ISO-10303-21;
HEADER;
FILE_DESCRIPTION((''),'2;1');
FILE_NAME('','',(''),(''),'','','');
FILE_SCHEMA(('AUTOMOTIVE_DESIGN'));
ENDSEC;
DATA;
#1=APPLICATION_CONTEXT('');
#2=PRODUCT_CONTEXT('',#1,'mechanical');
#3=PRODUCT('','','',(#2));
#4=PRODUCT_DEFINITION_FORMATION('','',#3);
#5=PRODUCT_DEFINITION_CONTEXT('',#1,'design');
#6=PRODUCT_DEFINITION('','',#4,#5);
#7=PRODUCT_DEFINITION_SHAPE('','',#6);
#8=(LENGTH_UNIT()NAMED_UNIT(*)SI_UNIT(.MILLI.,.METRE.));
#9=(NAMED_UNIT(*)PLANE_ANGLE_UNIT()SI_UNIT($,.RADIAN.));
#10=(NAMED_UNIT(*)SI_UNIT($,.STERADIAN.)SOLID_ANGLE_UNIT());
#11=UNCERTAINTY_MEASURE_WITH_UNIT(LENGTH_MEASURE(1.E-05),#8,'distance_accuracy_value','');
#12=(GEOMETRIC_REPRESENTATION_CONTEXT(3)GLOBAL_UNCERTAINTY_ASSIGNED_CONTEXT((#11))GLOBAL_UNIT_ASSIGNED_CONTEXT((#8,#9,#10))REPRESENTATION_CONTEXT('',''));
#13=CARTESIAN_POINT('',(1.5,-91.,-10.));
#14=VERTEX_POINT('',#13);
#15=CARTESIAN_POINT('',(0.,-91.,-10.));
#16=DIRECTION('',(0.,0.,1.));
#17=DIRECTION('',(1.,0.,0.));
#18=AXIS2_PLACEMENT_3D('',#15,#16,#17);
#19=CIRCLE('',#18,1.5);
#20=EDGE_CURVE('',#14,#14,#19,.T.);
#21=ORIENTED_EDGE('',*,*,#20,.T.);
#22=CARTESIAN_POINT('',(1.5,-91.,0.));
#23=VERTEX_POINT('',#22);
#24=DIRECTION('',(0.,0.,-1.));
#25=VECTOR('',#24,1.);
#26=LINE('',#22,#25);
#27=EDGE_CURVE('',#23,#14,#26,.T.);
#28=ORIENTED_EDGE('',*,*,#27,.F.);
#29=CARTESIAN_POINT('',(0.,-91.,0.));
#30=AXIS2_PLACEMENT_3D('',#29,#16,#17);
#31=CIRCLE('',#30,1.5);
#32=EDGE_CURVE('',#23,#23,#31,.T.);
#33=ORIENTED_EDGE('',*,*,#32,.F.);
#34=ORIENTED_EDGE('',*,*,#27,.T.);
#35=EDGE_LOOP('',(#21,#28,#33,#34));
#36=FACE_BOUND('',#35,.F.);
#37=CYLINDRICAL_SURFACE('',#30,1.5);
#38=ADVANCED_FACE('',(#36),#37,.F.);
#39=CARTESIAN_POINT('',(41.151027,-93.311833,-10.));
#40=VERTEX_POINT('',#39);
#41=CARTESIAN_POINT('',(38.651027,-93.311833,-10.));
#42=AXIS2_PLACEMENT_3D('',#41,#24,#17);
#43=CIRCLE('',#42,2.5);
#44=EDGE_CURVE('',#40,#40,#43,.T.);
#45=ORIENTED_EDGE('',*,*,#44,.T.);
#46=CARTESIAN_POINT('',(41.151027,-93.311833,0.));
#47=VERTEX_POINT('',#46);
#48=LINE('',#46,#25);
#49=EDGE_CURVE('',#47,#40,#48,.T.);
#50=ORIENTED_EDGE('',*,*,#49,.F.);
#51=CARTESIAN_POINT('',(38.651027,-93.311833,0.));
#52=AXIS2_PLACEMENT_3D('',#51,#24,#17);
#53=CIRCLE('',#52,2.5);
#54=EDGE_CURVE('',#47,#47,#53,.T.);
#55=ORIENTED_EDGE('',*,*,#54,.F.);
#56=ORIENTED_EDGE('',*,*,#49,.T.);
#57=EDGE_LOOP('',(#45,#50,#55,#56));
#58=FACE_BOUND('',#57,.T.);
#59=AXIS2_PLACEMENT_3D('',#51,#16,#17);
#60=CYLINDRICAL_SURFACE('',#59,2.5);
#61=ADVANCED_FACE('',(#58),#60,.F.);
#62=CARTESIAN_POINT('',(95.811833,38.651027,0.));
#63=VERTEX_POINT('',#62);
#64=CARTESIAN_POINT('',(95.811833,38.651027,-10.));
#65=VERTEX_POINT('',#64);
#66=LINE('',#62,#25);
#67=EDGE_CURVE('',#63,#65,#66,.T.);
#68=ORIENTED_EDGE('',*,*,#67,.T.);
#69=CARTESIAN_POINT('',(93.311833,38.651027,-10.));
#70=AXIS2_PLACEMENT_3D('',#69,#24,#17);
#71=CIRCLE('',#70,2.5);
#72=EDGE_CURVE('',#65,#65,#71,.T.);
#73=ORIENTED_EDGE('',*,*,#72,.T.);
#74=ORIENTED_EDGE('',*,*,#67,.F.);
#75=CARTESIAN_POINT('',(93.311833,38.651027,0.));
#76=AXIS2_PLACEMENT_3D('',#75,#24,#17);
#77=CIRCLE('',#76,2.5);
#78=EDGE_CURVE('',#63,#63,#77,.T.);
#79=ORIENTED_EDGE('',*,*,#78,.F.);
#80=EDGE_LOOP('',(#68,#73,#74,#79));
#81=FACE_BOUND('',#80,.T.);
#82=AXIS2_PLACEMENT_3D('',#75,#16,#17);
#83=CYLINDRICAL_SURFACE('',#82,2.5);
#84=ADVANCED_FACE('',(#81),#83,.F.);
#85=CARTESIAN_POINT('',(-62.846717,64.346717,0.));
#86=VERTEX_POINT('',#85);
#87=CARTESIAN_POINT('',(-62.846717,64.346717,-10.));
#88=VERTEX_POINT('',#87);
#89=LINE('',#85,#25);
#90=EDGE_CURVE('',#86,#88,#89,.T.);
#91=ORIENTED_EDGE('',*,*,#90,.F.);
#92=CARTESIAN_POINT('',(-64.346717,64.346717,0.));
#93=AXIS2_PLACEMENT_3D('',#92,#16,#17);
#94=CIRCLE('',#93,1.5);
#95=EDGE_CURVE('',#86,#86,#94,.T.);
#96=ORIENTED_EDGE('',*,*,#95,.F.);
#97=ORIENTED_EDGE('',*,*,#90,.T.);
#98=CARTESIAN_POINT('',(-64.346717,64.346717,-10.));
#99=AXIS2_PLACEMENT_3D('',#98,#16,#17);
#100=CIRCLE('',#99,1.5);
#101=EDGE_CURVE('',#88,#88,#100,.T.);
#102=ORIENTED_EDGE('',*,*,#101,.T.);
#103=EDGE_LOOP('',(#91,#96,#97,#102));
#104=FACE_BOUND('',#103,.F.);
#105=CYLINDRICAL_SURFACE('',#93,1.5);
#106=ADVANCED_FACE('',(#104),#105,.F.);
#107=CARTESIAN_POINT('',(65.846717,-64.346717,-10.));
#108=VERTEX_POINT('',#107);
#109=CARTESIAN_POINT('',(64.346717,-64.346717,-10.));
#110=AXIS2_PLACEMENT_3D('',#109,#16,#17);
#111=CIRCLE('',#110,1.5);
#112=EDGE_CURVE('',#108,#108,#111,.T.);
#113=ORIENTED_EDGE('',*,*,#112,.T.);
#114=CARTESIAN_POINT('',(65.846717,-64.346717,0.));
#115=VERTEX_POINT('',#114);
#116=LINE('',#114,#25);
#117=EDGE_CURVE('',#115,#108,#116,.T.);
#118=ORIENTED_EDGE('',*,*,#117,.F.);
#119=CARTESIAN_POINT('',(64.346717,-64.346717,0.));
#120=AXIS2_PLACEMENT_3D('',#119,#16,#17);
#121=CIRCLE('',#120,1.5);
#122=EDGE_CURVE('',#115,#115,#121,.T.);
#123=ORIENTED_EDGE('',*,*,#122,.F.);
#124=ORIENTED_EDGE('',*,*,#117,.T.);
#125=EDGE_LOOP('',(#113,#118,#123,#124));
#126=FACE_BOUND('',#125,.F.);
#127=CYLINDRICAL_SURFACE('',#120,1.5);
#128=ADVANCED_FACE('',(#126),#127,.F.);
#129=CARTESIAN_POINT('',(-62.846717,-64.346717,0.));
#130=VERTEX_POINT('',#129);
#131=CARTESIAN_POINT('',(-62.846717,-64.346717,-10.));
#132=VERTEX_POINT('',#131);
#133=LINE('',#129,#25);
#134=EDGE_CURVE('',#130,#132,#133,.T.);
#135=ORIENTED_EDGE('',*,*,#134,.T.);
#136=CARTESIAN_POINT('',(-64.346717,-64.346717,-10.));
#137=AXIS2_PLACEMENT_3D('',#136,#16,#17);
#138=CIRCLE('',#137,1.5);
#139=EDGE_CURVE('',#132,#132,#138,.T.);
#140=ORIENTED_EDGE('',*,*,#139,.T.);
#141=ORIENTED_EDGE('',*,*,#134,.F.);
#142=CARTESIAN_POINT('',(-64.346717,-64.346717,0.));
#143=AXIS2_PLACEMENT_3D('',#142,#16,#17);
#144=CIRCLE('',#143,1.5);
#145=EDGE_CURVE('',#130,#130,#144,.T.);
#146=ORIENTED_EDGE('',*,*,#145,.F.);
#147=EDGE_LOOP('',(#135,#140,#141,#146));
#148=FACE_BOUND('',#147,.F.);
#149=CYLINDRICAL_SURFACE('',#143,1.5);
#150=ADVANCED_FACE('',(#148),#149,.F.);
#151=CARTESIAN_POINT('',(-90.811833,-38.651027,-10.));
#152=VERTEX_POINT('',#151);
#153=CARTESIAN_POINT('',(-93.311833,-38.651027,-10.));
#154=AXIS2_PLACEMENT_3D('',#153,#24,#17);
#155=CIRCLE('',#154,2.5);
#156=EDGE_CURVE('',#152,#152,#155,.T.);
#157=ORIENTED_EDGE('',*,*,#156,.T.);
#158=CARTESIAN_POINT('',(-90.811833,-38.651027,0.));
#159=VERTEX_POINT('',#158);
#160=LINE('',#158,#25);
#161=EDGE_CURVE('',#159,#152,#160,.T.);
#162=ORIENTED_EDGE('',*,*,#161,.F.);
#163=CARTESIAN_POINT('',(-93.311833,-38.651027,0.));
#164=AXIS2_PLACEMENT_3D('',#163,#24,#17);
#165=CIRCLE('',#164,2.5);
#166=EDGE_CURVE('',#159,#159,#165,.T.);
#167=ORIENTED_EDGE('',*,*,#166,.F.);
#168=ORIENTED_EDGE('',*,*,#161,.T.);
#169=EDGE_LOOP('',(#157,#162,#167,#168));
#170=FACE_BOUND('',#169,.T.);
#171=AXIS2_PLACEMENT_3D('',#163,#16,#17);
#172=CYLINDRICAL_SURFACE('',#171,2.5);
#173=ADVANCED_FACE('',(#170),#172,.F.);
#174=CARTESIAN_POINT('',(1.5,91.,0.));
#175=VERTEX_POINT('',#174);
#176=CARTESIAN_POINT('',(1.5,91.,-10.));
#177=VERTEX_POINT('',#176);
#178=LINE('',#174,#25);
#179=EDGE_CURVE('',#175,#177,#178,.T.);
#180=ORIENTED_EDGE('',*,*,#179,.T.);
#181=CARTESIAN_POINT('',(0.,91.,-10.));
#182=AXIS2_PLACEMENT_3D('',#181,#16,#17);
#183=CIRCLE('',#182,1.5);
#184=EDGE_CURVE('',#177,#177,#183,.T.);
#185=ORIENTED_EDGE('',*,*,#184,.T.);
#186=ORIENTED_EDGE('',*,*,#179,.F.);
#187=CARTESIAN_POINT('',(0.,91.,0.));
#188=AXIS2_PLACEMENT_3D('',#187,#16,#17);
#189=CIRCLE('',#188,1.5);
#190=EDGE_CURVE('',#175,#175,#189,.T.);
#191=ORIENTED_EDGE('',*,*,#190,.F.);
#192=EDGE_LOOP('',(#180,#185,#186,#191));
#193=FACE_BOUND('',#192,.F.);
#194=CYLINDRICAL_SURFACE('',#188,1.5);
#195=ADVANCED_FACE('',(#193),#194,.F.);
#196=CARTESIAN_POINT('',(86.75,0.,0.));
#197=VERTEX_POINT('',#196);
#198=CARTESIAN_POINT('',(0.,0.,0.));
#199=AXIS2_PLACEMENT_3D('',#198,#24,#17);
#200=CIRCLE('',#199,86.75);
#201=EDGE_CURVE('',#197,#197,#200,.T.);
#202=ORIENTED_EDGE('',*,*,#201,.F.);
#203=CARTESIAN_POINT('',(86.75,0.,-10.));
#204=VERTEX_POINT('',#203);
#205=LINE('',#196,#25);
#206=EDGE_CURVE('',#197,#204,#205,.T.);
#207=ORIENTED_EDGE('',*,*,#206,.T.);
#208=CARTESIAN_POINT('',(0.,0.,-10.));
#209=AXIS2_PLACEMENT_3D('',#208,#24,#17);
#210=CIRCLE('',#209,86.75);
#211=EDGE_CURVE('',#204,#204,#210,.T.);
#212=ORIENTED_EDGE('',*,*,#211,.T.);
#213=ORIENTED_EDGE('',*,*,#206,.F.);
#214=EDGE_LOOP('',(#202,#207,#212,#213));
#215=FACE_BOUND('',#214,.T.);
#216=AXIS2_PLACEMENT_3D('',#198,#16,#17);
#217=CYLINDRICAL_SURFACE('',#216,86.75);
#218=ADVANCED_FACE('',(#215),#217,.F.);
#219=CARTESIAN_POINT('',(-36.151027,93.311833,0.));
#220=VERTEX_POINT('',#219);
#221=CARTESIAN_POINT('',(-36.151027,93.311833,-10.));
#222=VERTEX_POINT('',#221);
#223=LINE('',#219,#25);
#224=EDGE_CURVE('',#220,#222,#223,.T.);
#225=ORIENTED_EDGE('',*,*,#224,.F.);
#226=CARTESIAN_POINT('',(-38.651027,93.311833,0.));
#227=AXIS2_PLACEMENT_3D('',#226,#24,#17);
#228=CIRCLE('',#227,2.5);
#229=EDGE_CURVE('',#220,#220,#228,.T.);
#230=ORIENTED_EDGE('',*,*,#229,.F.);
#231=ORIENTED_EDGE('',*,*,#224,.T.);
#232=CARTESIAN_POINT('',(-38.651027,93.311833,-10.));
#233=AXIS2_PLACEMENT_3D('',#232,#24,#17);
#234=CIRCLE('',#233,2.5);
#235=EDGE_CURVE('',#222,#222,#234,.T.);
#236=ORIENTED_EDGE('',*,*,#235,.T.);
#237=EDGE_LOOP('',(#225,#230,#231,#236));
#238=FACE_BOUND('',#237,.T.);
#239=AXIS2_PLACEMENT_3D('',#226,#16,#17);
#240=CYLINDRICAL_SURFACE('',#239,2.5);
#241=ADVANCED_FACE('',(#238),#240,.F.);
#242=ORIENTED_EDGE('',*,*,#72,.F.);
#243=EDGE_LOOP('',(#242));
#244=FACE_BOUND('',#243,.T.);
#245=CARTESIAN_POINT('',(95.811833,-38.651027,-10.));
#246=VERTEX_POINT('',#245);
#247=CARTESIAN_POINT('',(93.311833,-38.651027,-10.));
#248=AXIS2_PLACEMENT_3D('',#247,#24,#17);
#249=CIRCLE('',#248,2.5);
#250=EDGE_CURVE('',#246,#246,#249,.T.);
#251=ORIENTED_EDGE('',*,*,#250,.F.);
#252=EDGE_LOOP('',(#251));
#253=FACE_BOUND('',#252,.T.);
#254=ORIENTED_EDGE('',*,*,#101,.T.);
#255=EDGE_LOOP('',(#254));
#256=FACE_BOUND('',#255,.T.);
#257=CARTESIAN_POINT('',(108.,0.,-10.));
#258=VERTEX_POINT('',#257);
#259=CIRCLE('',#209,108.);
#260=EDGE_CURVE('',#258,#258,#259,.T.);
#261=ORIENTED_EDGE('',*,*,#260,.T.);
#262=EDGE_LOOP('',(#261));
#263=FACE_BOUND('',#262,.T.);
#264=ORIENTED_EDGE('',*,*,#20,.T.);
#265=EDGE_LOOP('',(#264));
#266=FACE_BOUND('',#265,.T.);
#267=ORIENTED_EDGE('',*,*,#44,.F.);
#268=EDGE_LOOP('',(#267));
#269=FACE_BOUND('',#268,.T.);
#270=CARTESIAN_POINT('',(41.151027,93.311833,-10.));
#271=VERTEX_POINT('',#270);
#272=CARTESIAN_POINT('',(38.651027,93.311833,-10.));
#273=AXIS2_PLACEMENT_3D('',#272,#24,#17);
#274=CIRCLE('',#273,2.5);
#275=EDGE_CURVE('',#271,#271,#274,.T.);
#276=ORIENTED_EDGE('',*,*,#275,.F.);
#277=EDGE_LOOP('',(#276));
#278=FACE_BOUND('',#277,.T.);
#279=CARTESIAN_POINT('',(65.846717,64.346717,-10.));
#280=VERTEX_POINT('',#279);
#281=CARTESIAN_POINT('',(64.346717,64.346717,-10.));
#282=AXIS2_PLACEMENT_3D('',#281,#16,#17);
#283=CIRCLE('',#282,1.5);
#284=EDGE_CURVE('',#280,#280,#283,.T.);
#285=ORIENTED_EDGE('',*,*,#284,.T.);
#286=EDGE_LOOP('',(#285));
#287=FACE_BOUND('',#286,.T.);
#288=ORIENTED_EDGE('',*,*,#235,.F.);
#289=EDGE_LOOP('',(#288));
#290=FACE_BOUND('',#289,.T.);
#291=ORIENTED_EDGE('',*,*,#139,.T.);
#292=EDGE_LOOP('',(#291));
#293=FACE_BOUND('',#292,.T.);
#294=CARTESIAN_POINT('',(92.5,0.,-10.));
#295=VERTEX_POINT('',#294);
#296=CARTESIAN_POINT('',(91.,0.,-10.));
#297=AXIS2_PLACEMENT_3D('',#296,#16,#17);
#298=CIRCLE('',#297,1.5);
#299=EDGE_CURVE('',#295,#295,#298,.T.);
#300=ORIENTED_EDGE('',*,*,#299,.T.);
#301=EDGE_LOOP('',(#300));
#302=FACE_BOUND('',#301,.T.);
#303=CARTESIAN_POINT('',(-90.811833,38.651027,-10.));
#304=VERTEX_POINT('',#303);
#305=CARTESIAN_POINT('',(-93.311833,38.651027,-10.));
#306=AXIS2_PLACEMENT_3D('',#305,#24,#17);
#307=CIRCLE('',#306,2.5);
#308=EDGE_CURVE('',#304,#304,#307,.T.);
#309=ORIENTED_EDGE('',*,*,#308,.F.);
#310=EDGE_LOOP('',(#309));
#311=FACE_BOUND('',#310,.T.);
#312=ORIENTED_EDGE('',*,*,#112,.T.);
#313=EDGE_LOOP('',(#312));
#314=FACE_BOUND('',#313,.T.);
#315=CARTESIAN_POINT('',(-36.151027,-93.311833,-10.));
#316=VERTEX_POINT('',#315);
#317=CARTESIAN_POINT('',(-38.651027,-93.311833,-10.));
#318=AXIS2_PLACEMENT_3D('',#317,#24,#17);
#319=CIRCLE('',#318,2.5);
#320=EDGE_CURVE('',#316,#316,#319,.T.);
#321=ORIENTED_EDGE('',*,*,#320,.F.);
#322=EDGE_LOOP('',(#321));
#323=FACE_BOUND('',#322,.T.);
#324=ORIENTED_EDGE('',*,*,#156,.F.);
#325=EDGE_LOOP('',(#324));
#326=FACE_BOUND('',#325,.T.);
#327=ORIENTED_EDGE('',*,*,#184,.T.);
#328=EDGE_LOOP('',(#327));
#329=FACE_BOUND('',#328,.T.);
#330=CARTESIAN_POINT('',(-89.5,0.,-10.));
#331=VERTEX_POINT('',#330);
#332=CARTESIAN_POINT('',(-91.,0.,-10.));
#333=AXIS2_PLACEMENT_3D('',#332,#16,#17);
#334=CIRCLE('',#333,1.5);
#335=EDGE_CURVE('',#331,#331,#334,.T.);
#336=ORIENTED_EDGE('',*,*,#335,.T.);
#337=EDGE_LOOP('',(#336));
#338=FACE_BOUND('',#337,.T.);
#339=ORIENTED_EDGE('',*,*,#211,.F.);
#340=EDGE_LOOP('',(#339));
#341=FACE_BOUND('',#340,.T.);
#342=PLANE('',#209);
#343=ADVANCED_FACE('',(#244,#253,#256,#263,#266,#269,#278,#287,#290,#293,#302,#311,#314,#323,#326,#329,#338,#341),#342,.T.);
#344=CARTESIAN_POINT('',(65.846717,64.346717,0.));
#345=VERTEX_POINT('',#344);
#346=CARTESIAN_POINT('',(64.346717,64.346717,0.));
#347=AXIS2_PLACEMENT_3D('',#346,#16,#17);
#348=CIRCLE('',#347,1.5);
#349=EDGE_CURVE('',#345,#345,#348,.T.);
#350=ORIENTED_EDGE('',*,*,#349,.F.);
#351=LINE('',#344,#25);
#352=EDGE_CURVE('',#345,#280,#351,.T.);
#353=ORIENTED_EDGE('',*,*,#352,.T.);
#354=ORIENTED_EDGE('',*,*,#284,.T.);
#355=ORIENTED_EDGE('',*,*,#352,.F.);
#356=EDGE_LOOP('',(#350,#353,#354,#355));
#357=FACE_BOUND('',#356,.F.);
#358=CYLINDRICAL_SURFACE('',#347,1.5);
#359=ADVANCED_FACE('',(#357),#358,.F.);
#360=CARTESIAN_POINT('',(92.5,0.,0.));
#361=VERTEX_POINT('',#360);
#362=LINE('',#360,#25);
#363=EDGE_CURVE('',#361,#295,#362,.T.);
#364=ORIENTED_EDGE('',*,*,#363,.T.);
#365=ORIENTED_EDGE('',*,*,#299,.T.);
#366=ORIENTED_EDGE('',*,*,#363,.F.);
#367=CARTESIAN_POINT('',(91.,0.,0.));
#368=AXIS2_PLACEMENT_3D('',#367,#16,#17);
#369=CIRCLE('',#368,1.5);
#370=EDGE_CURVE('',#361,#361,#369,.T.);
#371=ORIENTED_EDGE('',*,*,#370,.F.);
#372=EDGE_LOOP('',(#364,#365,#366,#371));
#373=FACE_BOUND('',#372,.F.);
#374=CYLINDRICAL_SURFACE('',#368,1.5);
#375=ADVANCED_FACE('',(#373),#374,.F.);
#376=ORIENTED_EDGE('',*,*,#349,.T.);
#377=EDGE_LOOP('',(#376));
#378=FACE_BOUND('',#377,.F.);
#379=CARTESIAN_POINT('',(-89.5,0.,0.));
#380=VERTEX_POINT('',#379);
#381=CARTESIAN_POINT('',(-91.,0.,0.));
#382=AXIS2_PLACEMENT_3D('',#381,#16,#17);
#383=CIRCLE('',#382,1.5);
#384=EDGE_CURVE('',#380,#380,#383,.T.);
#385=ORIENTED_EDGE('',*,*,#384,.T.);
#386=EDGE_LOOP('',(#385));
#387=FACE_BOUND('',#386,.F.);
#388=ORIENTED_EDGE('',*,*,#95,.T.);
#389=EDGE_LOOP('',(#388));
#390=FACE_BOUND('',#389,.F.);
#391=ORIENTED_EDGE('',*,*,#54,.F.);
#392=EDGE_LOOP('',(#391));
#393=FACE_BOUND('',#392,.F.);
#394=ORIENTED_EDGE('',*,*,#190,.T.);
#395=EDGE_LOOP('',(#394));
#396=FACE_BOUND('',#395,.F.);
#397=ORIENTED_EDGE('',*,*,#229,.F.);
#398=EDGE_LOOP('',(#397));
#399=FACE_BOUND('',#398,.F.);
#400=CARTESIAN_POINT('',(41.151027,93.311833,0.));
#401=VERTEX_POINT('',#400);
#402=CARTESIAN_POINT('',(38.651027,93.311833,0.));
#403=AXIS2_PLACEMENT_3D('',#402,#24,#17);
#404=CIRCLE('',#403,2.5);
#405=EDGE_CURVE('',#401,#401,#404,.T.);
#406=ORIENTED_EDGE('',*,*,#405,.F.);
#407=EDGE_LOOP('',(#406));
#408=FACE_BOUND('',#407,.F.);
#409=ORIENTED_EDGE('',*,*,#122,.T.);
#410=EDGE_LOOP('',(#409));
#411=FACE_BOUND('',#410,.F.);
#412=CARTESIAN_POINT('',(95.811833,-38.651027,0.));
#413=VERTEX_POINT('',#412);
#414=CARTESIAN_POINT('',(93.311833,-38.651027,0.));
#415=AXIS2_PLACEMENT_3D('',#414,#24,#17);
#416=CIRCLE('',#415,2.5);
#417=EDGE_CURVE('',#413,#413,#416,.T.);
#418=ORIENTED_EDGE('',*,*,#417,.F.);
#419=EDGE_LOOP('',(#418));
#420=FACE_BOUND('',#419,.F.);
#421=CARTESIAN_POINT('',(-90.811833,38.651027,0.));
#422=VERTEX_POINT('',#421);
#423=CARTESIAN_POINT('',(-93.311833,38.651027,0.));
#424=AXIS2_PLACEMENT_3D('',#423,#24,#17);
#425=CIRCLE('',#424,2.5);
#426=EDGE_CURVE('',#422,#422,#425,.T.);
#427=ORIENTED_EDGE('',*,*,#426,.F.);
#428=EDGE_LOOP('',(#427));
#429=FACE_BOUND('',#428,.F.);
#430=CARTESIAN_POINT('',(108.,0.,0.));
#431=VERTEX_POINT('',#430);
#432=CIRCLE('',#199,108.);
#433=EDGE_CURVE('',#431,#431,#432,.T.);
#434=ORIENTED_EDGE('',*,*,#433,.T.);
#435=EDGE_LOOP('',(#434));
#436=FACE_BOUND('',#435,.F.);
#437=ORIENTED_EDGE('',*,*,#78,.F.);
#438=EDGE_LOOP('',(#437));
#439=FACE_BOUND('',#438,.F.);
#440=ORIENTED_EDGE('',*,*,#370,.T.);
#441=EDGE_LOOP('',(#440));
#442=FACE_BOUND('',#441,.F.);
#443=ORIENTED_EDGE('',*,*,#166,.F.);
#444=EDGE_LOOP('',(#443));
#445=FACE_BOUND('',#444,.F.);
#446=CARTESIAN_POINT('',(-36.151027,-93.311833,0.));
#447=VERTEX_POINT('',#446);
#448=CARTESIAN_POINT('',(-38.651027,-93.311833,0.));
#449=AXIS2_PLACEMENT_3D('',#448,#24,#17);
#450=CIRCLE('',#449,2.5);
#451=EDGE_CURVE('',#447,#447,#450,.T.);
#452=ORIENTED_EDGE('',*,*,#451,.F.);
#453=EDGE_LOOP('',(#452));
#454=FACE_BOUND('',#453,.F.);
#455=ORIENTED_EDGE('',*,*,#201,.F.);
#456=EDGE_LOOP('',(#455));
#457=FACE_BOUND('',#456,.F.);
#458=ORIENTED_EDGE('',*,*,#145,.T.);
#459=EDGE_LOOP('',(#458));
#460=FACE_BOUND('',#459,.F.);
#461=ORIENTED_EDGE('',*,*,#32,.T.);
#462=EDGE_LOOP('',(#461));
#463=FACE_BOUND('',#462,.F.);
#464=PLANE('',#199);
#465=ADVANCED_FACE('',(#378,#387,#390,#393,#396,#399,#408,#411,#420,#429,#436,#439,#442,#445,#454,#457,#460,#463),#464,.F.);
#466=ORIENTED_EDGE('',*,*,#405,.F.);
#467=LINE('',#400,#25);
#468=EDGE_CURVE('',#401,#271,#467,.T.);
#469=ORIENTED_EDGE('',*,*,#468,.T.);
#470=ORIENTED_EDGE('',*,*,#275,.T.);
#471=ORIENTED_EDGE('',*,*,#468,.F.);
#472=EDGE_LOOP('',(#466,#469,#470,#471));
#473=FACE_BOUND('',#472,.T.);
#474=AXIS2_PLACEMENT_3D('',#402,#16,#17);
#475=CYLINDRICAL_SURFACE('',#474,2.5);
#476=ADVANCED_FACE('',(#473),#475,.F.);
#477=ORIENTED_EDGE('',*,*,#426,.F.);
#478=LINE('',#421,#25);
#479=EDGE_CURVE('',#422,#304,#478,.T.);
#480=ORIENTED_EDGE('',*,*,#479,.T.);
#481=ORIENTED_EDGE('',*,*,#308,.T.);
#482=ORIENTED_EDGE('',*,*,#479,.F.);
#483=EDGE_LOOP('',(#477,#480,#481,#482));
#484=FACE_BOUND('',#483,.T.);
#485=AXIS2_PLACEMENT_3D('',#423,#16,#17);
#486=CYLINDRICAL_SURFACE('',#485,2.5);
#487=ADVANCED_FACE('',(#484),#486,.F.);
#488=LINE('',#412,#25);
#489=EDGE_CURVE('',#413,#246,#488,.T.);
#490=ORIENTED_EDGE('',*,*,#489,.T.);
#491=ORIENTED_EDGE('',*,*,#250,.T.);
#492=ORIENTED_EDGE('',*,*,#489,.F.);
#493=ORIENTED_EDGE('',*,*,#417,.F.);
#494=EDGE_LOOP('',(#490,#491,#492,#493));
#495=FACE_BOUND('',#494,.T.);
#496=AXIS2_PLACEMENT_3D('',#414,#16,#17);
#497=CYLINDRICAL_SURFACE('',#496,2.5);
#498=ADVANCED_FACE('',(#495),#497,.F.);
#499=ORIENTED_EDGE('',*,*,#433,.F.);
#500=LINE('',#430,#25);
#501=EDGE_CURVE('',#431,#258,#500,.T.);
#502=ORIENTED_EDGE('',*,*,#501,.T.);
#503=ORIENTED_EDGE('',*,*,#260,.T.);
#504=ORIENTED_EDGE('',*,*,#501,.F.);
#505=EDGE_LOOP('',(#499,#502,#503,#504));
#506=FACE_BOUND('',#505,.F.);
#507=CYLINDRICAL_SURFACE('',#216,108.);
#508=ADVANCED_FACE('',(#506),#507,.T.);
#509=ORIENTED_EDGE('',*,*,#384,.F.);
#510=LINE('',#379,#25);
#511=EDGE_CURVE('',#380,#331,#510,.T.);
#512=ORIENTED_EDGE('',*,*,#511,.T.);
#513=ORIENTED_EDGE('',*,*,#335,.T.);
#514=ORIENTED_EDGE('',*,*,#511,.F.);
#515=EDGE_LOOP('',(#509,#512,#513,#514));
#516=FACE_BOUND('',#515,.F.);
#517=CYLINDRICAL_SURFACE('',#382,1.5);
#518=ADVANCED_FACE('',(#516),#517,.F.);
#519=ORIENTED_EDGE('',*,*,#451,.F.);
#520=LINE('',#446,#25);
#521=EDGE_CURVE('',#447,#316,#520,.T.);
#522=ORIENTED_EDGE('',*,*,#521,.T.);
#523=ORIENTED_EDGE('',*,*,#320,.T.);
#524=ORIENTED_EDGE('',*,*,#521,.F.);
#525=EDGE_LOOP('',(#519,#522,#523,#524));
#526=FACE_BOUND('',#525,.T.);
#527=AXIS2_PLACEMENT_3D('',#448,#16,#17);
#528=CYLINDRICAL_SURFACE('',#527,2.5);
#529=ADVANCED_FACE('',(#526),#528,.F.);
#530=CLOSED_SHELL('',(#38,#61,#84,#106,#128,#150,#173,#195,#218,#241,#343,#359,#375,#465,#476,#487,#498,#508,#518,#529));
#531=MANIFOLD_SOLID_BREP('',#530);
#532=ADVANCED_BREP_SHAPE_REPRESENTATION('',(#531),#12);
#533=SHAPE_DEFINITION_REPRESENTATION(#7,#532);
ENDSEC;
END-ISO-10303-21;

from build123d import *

# Parameters (mm, degrees)
SKETCH001_R       = 108
SKETCH001_R_2     = 86.75
SKETCH001_R_3     = 2.5
PAD_DEPTH         = 10
SKETCH_R          = 1.5
POCKET_DEPTH      = 10.001
POCKET_DEPTH_BACK = 0.001


with BuildPart() as part:
    # Sketch001 → Pad (new body)
    with BuildSketch(Plane(origin=(0, 0, 0), x_dir=(1, 0, 0), z_dir=(0, 0, -1))):
        Circle(SKETCH001_R)
        Circle(SKETCH001_R_2, mode=Mode.SUBTRACT)
        with Locations((38.651027, 93.311833)):
            Circle(SKETCH001_R_3, mode=Mode.SUBTRACT)
        with Locations((93.311833, 38.651027)):
            Circle(SKETCH001_R_3, mode=Mode.SUBTRACT)
        with Locations((93.311833, -38.651027)):
            Circle(SKETCH001_R_3, mode=Mode.SUBTRACT)
        with Locations((38.651027, -93.311833)):
            Circle(SKETCH001_R_3, mode=Mode.SUBTRACT)
        with Locations((-38.651027, 93.311833)):
            Circle(SKETCH001_R_3, mode=Mode.SUBTRACT)
        with Locations((-93.311833, 38.651027)):
            Circle(SKETCH001_R_3, mode=Mode.SUBTRACT)
        with Locations((-93.311833, -38.651027)):
            Circle(SKETCH001_R_3, mode=Mode.SUBTRACT)
        with Locations((-38.651027, -93.311833)):
            Circle(SKETCH001_R_3, mode=Mode.SUBTRACT)
    extrude(amount=PAD_DEPTH)

    # Sketch → Pocket (cut, two sides)
    with BuildSketch(Plane.XY) as pocket_sk:
        with Locations((64.346717, 64.346717)):
            Circle(SKETCH_R)
        with Locations((0, 91)):
            Circle(SKETCH_R)
        with Locations((91, 0)):
            Circle(SKETCH_R)
        with Locations((64.346717, -64.346717)):
            Circle(SKETCH_R)
        with Locations((0, -91)):
            Circle(SKETCH_R)
        with Locations((-91, 0)):
            Circle(SKETCH_R)
        with Locations((-64.346717, -64.346717)):
            Circle(SKETCH_R)
        with Locations((-64.346717, 64.346717)):
            Circle(SKETCH_R)
    extrude(amount=-POCKET_DEPTH, mode=Mode.SUBTRACT)
    extrude(pocket_sk.sketch, amount=POCKET_DEPTH_BACK, mode=Mode.SUBTRACT)


solid = part.part
